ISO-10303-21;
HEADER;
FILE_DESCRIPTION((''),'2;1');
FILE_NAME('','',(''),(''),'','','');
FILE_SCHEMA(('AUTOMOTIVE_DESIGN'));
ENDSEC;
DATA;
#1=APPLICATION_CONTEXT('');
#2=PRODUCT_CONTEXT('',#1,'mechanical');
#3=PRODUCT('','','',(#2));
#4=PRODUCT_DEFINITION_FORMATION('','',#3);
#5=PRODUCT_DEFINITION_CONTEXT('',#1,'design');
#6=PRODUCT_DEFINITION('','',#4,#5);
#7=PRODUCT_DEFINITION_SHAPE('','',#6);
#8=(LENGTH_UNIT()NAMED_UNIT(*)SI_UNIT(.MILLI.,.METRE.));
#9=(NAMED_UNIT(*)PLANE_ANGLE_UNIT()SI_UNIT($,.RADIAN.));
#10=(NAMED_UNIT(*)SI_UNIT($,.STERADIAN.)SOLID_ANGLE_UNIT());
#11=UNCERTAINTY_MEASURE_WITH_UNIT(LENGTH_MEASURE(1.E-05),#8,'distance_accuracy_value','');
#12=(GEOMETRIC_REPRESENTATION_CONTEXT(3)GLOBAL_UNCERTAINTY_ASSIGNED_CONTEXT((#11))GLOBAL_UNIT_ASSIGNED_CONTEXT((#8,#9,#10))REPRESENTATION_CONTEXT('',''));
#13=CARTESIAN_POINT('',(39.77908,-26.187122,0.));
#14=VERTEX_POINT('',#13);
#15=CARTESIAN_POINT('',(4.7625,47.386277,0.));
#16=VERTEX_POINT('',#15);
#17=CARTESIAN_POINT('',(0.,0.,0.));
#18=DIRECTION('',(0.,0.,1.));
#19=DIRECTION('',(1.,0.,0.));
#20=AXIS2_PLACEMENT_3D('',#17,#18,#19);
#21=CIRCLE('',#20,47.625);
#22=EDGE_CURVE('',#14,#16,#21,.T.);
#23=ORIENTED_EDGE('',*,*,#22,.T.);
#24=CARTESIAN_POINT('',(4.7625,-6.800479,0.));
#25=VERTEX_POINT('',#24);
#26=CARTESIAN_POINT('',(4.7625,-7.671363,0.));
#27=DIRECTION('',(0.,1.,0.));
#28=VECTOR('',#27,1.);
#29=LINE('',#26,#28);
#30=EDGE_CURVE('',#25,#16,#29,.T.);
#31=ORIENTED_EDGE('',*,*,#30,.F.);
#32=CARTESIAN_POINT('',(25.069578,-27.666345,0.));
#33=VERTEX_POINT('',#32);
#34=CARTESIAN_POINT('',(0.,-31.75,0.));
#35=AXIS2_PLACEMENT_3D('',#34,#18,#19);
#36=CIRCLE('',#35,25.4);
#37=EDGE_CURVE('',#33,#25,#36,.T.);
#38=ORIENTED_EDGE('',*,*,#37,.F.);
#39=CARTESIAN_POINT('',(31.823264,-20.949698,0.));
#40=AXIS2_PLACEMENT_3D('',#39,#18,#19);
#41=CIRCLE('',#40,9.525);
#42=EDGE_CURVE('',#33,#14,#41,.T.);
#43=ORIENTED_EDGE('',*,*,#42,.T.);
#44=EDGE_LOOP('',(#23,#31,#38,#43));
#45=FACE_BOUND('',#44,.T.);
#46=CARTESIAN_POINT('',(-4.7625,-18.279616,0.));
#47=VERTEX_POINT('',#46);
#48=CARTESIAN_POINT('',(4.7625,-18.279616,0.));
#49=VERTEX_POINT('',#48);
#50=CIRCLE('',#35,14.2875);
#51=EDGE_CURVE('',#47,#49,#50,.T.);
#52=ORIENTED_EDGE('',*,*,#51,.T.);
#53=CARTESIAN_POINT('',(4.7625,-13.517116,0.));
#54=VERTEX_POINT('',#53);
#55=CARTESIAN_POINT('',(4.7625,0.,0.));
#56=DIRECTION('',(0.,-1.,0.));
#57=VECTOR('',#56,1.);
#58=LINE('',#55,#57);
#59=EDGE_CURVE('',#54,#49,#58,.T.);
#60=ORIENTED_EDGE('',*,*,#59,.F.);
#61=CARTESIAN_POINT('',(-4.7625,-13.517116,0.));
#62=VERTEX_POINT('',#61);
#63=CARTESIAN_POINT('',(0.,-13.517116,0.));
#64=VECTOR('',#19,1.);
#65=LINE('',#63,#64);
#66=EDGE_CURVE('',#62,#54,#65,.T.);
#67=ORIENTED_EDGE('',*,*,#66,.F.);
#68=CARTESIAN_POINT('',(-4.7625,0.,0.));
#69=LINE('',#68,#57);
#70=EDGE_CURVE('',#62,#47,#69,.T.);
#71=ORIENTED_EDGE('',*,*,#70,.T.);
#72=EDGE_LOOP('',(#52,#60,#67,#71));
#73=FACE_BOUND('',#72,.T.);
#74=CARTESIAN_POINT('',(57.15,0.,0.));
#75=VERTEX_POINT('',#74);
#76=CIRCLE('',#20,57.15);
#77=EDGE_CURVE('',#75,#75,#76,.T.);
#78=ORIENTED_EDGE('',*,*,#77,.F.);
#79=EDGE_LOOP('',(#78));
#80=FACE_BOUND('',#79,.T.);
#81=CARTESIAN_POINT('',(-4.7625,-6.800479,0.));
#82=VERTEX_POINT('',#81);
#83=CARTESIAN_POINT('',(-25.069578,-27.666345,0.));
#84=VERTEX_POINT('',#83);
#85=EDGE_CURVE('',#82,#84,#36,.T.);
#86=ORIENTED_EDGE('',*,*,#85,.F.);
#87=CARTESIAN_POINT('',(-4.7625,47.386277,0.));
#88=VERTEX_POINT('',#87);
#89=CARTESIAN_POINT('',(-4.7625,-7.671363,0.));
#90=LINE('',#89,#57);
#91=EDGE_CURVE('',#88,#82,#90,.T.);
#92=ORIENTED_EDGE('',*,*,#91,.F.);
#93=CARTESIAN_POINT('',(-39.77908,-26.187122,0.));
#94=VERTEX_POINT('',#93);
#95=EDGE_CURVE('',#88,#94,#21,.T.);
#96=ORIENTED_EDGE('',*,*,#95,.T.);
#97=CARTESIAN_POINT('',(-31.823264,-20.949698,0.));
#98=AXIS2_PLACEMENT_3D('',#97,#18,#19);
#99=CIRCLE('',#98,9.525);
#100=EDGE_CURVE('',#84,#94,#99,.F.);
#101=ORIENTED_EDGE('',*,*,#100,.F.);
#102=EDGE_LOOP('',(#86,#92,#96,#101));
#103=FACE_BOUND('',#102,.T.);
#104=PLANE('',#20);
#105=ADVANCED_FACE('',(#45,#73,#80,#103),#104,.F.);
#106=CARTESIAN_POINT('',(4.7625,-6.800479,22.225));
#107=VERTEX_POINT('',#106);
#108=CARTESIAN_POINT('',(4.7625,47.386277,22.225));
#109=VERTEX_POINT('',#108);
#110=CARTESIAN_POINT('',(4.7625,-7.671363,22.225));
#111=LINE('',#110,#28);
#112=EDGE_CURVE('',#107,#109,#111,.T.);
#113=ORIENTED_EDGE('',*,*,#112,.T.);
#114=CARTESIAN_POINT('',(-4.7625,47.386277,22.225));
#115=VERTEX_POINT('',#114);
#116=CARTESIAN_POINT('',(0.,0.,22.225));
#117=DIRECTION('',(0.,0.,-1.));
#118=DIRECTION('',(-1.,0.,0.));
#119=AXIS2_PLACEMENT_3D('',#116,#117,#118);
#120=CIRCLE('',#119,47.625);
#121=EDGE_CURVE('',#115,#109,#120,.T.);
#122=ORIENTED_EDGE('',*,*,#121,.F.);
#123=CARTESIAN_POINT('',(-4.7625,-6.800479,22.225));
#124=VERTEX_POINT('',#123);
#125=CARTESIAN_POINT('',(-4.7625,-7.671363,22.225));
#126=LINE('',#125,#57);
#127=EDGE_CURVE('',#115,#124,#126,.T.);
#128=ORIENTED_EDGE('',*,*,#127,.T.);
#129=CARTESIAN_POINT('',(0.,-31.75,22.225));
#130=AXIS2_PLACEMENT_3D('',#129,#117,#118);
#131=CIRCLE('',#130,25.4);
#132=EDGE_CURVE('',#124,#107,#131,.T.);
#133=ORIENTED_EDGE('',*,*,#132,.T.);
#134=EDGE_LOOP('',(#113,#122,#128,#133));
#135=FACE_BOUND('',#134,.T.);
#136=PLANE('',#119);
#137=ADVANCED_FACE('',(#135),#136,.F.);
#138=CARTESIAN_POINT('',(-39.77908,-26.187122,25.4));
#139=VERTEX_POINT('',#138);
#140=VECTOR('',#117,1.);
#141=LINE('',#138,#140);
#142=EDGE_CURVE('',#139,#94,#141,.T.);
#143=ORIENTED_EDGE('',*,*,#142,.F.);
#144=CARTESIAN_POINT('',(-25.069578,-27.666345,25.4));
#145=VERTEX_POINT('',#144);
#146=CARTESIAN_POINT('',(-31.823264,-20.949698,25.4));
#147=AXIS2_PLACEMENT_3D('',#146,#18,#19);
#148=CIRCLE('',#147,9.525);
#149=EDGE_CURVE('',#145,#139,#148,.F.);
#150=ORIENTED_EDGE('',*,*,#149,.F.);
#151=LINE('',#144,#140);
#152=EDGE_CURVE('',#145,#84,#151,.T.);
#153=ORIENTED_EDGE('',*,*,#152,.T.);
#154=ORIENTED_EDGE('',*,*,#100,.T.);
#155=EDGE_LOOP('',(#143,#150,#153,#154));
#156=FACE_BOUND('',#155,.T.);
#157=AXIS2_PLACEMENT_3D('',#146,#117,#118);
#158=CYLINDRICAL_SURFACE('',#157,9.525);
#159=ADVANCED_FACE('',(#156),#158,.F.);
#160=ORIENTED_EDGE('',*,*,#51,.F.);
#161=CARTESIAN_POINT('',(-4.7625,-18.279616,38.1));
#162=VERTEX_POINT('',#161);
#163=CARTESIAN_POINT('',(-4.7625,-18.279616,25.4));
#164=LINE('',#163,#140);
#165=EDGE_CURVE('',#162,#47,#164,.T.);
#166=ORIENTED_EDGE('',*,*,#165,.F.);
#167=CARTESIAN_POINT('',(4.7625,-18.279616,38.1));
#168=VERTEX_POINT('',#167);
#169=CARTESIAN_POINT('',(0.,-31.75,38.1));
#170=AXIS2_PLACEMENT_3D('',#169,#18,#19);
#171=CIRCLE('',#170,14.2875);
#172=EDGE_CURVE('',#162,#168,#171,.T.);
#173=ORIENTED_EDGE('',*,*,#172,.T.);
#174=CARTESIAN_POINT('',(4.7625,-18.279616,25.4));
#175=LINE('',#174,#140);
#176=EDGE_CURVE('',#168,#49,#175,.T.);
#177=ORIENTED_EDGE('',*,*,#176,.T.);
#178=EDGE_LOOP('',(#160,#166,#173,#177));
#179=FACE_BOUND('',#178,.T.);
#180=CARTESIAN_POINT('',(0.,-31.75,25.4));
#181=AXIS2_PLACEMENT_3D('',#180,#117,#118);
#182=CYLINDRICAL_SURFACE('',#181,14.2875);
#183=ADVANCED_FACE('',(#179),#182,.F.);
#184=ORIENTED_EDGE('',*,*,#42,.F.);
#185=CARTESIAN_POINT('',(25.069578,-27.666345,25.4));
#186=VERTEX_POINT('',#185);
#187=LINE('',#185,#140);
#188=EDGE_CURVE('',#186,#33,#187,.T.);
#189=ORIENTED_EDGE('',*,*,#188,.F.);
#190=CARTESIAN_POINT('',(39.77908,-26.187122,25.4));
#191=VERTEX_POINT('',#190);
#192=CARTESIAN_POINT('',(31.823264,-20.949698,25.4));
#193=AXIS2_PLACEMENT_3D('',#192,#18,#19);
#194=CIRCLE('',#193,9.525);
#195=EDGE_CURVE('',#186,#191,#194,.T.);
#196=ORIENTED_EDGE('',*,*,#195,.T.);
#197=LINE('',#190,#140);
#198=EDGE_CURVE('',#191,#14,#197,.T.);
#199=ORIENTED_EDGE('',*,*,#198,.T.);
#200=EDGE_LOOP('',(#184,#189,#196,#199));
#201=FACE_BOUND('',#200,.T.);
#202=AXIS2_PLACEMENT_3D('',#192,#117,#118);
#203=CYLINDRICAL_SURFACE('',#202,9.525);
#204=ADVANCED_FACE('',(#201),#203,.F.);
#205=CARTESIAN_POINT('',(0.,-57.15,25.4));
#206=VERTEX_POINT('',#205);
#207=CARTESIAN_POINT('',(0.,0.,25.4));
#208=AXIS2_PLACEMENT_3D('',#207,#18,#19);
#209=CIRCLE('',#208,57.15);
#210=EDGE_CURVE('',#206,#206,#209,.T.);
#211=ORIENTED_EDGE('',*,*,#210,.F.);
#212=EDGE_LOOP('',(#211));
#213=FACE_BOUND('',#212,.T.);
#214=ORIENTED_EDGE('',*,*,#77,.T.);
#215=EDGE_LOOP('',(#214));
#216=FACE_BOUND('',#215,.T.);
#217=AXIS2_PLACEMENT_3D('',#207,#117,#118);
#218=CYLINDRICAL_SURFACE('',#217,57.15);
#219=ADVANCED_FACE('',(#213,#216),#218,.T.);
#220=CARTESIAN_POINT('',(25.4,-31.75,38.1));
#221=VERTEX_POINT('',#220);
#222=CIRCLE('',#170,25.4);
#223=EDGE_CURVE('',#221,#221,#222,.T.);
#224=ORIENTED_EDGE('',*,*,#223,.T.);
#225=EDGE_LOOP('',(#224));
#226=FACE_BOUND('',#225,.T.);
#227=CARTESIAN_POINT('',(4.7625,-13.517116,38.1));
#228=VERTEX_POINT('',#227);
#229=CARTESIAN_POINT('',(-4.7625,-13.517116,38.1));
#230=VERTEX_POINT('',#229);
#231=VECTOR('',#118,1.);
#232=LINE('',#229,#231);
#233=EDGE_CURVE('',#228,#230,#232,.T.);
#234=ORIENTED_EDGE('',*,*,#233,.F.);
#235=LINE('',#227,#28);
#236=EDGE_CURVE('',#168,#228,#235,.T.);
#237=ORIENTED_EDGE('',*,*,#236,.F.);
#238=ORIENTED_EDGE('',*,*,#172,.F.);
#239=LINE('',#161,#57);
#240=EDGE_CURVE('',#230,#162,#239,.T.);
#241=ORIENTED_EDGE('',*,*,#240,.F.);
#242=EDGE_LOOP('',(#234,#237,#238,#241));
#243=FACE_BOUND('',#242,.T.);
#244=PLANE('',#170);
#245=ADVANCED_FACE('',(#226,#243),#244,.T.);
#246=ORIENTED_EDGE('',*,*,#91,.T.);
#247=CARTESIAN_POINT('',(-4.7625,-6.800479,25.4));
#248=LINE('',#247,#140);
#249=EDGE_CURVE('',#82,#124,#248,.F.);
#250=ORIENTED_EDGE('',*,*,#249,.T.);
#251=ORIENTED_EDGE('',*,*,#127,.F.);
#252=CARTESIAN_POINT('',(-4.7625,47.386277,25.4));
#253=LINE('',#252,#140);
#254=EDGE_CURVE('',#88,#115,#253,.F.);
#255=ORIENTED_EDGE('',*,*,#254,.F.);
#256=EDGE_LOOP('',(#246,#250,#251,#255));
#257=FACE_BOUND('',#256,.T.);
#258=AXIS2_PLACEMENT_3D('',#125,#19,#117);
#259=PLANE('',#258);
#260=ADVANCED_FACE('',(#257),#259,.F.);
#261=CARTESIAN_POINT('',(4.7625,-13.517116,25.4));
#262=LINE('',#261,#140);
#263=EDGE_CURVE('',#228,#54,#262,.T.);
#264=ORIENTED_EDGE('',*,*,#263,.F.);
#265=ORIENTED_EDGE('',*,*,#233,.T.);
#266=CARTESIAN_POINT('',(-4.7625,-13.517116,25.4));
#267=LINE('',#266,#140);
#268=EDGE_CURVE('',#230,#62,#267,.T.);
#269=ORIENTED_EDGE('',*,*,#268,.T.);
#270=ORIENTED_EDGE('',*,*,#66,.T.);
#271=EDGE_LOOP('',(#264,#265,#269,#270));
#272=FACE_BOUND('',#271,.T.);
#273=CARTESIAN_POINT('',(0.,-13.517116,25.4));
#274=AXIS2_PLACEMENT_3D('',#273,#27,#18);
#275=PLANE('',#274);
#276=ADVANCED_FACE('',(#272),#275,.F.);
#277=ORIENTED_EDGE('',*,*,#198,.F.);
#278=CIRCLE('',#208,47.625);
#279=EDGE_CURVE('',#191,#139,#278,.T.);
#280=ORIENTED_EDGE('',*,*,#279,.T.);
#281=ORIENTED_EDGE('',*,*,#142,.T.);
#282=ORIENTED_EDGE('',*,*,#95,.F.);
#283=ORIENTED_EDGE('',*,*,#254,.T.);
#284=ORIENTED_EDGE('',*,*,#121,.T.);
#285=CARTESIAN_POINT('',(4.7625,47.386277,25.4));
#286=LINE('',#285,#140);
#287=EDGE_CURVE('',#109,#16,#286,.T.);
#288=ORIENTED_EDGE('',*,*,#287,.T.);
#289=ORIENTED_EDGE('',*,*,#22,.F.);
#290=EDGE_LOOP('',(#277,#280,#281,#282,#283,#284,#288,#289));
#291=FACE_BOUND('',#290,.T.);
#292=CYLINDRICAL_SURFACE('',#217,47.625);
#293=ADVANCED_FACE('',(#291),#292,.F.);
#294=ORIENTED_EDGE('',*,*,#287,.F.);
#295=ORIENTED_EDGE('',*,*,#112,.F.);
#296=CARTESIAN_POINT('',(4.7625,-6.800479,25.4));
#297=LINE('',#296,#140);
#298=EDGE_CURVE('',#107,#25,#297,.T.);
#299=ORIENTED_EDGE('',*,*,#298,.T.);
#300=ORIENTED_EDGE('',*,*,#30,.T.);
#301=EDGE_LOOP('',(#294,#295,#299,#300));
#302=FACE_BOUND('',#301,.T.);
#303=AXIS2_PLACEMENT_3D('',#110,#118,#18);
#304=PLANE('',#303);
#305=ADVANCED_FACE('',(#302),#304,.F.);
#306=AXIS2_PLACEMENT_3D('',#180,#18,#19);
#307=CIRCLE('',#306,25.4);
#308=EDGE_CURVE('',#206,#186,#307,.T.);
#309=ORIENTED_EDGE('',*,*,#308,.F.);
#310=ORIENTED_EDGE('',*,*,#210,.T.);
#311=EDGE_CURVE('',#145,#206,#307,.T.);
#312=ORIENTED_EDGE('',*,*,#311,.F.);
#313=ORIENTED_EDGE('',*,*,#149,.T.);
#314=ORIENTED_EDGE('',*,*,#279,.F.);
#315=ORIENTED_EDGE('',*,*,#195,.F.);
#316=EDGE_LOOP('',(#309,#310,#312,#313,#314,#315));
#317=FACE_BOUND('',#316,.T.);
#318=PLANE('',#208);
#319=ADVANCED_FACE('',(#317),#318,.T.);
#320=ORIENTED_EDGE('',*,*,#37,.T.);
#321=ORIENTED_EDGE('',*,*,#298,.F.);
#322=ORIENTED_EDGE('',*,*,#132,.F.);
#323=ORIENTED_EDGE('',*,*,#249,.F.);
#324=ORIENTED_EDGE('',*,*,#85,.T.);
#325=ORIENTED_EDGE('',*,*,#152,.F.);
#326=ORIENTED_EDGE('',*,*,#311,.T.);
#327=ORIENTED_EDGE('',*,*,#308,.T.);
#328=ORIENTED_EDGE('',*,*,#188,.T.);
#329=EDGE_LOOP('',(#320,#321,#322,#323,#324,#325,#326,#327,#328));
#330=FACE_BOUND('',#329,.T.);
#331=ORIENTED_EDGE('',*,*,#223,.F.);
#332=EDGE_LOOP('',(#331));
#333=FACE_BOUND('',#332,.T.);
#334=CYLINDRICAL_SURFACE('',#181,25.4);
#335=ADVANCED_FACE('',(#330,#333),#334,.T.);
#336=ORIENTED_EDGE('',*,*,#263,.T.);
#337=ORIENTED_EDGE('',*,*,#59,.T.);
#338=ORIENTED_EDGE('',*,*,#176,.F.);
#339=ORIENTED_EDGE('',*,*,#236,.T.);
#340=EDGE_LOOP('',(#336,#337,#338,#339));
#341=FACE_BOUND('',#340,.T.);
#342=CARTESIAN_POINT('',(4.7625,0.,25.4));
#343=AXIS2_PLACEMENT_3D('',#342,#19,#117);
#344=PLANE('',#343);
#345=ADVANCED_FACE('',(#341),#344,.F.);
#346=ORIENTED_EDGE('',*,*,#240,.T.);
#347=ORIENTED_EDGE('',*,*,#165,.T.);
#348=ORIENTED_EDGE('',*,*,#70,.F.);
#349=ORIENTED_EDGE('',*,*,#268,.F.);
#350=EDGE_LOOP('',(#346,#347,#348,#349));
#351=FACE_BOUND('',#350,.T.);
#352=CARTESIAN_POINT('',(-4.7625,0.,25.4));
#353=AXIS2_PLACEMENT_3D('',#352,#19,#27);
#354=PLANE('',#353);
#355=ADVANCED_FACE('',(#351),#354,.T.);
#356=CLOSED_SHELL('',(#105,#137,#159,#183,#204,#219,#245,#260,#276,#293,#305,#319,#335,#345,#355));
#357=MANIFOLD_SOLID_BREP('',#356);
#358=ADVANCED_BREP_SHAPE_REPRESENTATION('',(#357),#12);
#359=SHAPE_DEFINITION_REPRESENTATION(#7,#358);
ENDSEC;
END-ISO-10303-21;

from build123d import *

# Parameters (mm, degrees)
SKETCH1_R           = 57.15
BOSS_EXTRUDE5_DEPTH = 25.4
SKETCH4_R           = 25.4
BOSS_EXTRUDE7_DEPTH = 12.7
SKETCH5_W           = 9.525
SKETCH5_H           = 56.448043325
BOSS_EXTRUDE8_DEPTH = 22.225


with BuildPart() as part:
    # Sketch1 → Boss-Extrude5 (new body)
    with BuildSketch(Plane.XY):
        Circle(SKETCH1_R)
        with BuildLine():
            Line((-4.7625, -18.279615818), (-4.7625, -13.517115818))
            Line((-4.7625, -13.517115818), (4.7625, -13.517115818))
            Line((4.7625, -13.517115818), (4.7625, -18.279615818))
            ThreePointArc((4.7625, -18.279615818), (0, -46.0375), (-4.7625, -18.279615818))
        make_face(mode=Mode.SUBTRACT)
        with BuildLine():
            ThreePointArc((-25.069578471, -27.666345352), (-32.776314377, -30.426898024), (-39.77908045, -26.187122475))
            ThreePointArc((-39.77908045, -26.187122475), (-45.621372905, -13.668612193), (-47.625, 0))
            ThreePointArc((-47.625, 0), (0, 47.625), (47.625, 0))
            ThreePointArc((47.625, 0), (45.621372905, -13.668612193), (39.77908045, -26.187122475))
            ThreePointArc((39.77908045, -26.187122475), (32.776314377, -30.426898024), (25.069578471, -27.666345352))
            ThreePointArc((25.069578471, -27.666345352), (0, -6.35), (-25.069578471, -27.666345352))
        make_face(mode=Mode.SUBTRACT)
    extrude(amount=BOSS_EXTRUDE5_DEPTH)

    # Sketch4 → Boss-Extrude7 (add)
    with BuildSketch(Plane.XY.offset(25.4)):
        with Locations(Location((0, -31.75, 0), (0, 0, 170.748186525))):
            Circle(SKETCH4_R)
        with BuildLine():
            Line((-4.7625, -18.279615818), (-4.7625, -13.517115818))
            Line((-4.7625, -13.517115818), (4.7625, -13.517115818))
            Line((4.7625, -13.517115818), (4.7625, -18.279615818))
            ThreePointArc((4.7625, -18.279615818), (0, -46.0375), (-4.7625, -18.279615818))
        make_face(mode=Mode.SUBTRACT)
    extrude(amount=BOSS_EXTRUDE7_DEPTH)

    # Sketch5 → Boss-Extrude8 (add)
    with BuildSketch(Plane.XY):
        with Locations((0, 20.552658513)):
            Rectangle(SKETCH5_W, SKETCH5_H)
    extrude(amount=BOSS_EXTRUDE8_DEPTH)


solid = part.part
